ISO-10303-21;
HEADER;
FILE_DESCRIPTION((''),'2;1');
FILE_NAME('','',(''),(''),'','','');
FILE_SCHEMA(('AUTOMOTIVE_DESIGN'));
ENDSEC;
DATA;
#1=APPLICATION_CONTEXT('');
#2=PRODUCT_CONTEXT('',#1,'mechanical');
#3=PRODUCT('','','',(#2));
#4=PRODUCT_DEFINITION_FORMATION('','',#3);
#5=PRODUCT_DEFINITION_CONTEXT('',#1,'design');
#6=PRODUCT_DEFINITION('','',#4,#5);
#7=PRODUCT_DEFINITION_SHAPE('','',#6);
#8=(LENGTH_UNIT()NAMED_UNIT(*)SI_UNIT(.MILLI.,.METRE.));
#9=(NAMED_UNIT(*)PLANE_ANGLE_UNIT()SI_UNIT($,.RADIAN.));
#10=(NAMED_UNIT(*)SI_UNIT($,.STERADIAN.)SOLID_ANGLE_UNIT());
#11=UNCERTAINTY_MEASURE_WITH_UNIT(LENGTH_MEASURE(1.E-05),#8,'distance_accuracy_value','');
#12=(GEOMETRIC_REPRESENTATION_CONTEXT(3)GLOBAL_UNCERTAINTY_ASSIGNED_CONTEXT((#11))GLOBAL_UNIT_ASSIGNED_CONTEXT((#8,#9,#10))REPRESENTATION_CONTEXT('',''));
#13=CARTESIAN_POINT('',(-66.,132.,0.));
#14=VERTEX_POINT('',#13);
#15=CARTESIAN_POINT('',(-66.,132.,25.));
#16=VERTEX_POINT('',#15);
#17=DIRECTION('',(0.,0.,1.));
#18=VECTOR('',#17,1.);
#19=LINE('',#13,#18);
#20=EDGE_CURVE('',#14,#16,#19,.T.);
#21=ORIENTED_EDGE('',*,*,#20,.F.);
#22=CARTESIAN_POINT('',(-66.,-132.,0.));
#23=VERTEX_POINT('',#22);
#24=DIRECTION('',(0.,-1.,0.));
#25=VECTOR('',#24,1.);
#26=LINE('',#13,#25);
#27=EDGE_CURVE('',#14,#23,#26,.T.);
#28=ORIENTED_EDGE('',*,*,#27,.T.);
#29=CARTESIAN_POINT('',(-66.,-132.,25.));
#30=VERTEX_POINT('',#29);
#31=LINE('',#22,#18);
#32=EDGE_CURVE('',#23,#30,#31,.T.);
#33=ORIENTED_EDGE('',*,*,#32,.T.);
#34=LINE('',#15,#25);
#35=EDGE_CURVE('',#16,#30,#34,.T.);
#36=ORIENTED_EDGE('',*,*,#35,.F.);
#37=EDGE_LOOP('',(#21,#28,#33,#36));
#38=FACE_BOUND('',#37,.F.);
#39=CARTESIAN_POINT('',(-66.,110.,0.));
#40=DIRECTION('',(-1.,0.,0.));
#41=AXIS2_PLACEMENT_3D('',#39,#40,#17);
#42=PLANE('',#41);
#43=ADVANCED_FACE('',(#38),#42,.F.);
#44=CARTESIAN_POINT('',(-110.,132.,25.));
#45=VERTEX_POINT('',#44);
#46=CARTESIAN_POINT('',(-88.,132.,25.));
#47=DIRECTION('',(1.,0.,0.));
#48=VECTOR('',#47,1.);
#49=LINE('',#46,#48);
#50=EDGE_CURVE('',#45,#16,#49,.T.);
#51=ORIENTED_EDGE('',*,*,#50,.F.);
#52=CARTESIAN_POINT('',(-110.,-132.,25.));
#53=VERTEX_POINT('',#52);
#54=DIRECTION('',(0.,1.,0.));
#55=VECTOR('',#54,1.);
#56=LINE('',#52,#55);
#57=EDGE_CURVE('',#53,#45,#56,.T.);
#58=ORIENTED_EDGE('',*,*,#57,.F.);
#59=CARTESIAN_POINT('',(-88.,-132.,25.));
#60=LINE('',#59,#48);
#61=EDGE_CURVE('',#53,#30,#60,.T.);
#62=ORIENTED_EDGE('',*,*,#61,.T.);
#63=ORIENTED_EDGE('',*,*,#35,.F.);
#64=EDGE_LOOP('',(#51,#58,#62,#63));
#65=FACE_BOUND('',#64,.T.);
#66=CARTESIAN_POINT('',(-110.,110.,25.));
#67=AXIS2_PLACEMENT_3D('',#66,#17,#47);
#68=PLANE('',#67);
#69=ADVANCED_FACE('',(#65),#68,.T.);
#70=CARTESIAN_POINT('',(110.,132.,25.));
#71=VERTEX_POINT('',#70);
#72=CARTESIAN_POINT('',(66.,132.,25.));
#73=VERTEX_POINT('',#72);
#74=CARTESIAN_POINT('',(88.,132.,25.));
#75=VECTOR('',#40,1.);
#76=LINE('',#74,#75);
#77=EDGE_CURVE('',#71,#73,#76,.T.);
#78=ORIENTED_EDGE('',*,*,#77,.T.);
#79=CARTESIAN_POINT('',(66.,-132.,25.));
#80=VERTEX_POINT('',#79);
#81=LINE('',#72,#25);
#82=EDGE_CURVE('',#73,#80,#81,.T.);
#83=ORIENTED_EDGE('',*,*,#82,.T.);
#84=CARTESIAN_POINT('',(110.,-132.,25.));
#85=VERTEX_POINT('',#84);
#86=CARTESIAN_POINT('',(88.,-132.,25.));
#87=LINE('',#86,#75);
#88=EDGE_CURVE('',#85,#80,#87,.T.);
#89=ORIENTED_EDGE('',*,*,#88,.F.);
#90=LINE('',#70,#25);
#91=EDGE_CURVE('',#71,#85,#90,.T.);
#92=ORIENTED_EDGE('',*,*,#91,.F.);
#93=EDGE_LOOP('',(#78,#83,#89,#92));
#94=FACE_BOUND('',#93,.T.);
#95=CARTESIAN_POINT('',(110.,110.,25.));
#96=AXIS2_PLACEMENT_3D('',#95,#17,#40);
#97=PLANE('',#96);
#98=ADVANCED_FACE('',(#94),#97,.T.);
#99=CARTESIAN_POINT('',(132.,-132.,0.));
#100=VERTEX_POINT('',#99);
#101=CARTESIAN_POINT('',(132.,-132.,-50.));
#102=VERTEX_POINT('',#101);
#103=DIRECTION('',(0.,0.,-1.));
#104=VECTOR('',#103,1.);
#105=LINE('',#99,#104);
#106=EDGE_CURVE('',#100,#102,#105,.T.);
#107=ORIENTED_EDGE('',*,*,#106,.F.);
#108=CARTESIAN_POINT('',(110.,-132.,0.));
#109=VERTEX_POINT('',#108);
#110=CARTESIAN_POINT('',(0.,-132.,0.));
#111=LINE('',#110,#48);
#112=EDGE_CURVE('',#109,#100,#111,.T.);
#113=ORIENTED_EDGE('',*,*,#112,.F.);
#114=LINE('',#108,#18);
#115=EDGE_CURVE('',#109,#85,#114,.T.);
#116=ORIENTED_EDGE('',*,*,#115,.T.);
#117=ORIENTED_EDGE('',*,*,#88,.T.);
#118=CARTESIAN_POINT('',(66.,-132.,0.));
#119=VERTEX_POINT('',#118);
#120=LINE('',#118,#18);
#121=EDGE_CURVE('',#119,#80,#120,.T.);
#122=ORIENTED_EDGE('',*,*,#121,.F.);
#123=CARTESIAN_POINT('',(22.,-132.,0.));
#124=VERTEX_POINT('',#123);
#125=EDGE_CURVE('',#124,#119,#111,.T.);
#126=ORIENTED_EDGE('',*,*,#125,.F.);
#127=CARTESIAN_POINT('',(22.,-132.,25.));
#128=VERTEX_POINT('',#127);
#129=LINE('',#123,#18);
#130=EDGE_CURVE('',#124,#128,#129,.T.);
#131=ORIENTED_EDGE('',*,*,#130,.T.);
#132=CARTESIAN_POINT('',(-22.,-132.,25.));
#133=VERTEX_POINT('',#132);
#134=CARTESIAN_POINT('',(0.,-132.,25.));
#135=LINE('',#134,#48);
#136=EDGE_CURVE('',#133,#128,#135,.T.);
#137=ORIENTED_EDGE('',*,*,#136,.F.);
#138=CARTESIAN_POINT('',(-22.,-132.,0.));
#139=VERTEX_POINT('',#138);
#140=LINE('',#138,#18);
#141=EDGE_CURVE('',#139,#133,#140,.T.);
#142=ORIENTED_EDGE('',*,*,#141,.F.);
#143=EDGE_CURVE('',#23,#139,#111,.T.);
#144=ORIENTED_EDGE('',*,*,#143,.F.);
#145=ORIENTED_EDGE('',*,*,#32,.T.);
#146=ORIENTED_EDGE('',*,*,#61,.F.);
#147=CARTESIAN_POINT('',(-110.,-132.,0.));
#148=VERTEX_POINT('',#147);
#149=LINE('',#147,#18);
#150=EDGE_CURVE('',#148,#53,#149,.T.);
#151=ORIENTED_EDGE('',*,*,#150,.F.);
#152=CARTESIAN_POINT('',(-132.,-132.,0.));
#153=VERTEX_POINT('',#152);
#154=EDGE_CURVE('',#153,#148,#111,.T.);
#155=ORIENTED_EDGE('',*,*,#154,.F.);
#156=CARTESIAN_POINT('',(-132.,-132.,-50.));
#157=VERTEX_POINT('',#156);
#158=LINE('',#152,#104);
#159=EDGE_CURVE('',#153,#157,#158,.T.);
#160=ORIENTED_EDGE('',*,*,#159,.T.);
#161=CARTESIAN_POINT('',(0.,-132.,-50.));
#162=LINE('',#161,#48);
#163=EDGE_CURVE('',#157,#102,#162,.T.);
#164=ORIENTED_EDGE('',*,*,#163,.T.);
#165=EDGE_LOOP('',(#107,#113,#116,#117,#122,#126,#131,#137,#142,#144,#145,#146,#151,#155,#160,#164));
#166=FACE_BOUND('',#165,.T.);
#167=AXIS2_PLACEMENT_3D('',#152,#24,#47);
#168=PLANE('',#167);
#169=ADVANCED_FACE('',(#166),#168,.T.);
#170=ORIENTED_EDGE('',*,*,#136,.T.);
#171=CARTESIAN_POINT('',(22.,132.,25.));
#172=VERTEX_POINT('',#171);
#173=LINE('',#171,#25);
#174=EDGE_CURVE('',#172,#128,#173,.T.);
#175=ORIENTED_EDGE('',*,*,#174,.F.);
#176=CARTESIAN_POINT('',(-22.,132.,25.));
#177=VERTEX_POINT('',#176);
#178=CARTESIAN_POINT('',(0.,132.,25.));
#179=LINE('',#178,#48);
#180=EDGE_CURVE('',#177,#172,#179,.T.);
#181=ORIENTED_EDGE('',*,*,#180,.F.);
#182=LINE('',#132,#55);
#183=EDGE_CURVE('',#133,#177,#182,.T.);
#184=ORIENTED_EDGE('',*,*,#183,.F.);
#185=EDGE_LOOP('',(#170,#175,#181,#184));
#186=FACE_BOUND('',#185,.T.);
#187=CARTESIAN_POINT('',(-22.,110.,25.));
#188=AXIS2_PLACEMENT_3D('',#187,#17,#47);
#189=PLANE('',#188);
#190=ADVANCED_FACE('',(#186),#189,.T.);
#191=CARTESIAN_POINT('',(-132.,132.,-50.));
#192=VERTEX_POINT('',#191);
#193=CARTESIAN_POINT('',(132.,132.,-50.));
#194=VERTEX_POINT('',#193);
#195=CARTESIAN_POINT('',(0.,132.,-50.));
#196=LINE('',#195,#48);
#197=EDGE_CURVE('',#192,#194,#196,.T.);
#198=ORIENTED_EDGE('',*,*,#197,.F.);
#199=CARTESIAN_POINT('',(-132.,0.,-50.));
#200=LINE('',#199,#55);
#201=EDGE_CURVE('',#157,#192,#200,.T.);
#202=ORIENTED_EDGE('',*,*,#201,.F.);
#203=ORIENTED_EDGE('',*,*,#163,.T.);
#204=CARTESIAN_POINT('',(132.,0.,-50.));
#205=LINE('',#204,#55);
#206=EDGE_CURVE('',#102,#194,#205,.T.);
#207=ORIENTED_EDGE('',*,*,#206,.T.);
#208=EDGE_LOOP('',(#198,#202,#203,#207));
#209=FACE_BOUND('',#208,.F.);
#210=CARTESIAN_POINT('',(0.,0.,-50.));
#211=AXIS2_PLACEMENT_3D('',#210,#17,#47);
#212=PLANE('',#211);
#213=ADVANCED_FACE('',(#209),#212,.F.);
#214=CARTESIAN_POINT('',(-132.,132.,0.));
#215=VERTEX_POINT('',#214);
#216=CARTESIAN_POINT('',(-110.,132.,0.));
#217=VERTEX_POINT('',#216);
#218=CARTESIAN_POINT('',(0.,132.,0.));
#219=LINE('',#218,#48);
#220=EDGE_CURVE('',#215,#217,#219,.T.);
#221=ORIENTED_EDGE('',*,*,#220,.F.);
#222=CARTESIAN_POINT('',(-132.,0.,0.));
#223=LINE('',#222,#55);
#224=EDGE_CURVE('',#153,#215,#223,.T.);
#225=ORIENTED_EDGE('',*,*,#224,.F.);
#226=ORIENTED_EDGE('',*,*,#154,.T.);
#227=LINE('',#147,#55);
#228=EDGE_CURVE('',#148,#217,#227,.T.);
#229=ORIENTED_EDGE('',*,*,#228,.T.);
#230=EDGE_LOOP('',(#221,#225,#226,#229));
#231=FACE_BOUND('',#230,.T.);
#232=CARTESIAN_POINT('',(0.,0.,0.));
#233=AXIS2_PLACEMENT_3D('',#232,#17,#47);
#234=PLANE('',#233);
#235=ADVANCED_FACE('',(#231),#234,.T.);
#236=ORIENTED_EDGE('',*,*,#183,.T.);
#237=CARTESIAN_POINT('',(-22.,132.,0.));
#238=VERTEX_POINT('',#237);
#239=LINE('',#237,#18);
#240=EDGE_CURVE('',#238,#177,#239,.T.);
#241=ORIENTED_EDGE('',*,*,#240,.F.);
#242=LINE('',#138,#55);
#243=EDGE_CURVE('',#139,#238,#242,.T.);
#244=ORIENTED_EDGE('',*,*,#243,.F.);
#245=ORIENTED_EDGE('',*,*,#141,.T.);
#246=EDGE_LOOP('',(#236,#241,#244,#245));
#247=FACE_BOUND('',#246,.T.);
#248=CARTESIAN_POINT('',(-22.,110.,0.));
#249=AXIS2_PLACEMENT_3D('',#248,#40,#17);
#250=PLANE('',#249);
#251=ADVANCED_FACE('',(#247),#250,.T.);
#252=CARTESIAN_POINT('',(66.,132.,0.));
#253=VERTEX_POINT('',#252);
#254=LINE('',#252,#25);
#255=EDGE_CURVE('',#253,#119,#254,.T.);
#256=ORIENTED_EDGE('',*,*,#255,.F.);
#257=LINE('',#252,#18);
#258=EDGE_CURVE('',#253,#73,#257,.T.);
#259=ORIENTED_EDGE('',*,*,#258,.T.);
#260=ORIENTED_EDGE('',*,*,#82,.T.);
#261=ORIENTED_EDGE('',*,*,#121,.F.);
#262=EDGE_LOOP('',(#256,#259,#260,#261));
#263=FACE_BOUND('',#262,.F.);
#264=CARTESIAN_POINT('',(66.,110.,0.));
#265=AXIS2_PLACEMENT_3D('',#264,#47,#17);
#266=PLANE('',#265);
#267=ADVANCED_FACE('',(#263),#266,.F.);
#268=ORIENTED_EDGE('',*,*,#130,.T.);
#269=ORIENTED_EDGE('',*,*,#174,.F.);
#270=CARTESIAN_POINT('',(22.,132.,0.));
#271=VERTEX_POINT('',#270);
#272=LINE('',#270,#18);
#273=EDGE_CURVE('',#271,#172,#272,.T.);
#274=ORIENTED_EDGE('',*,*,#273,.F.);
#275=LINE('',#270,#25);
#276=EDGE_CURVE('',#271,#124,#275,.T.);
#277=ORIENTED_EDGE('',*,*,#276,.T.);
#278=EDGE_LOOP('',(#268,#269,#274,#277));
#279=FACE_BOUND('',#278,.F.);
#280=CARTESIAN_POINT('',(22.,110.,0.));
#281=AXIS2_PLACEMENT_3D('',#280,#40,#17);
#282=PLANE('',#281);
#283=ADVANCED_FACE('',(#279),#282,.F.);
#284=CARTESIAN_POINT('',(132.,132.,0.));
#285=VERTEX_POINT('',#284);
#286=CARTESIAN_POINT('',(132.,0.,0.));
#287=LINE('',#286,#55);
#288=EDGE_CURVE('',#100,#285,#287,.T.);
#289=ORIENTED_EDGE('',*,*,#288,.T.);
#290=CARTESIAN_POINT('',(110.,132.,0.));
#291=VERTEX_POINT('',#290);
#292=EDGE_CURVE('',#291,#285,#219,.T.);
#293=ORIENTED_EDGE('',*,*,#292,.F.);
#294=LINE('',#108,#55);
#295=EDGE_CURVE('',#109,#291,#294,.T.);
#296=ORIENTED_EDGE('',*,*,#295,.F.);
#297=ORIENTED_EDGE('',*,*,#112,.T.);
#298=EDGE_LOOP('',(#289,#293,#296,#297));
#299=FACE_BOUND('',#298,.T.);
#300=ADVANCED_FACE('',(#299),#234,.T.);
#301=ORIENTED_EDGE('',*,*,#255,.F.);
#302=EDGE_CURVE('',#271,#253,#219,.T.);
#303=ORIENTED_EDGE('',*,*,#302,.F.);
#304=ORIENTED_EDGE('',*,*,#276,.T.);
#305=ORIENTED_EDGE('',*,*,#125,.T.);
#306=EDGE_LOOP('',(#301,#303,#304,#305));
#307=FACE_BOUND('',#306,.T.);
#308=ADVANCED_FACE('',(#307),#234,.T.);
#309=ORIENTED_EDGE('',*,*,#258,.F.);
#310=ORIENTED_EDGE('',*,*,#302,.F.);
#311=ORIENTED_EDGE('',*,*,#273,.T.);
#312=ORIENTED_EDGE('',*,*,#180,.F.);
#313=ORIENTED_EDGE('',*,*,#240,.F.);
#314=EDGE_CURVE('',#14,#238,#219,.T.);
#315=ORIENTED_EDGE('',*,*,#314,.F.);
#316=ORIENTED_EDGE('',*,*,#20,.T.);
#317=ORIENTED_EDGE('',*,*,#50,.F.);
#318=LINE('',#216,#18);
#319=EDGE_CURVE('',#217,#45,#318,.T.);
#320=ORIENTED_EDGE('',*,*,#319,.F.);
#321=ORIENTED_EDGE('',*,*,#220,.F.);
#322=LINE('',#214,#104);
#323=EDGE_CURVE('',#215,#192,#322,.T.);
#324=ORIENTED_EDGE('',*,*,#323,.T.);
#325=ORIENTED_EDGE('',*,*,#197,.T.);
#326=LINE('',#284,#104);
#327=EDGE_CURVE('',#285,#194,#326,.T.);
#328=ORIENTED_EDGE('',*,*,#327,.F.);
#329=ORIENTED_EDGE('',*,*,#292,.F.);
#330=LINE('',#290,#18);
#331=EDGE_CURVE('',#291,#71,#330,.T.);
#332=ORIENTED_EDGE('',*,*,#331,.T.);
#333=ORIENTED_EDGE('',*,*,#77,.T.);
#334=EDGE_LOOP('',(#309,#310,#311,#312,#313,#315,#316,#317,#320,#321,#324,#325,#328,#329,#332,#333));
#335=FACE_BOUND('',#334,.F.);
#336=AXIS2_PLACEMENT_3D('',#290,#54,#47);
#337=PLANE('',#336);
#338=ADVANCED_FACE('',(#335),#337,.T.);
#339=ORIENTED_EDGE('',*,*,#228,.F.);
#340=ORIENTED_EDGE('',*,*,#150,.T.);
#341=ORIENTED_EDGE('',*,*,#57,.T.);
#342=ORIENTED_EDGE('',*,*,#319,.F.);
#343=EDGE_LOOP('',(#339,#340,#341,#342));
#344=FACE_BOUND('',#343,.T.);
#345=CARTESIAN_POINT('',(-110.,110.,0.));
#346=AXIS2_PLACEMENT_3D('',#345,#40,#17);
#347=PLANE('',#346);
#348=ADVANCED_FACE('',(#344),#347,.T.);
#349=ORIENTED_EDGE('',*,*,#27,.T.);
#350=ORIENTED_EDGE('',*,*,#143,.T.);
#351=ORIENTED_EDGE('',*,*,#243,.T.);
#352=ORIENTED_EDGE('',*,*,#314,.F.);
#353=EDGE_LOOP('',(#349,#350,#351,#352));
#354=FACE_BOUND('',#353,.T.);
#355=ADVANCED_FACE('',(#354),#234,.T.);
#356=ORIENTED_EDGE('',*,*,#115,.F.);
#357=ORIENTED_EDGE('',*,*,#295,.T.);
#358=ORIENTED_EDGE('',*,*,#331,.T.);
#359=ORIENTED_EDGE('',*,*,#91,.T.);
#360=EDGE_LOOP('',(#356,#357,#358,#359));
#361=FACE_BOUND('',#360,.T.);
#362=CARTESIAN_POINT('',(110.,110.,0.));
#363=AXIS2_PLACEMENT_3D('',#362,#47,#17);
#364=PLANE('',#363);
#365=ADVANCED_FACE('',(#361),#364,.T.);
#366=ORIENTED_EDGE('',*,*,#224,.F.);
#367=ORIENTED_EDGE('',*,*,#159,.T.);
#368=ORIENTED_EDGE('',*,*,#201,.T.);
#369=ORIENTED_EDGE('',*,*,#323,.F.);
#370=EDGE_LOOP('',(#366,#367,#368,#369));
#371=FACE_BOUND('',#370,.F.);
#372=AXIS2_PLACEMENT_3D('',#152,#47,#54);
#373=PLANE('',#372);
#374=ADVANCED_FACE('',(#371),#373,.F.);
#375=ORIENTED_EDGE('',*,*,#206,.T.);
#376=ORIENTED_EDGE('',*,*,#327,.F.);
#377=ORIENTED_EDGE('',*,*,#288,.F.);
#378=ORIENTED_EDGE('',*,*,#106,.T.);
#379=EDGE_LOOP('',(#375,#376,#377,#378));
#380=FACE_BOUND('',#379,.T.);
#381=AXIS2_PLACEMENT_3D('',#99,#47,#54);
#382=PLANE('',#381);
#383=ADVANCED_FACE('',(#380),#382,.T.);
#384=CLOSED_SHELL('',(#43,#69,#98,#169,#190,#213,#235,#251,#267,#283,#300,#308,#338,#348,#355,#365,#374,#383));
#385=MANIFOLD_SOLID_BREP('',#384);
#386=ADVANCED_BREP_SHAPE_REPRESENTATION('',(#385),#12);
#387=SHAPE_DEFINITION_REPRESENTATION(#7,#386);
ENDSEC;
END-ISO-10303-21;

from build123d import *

# Parameters (mm, degrees)
F0_W      = 44
F0_H      = 44
F1_DEPTH  = 25
F0_W_2    = 264
F0_H_2    = 264
F4_DEPTH  = 50
F3_FACE_W = 44
F3_FACE_H = 25
F1_FACE_W = 44
F1_FACE_H = 25
F2_FACE_W = 44
F2_FACE_H = 25
F5_DEPTH  = 44
F6_DEPTH  = 22


with BuildPart() as f1:
    # F0 (on Top) → F1 (new body)
    with BuildSketch(Plane.XY):
        with Locations((-88, 0)):
            Rectangle(F0_W, F0_H)
    extrude(amount=F1_DEPTH)


with BuildPart() as f1b:
    # F0 (on Top) → F1, piece 2 (new body)
    with BuildSketch(Plane.XY):
        with Locations((-88, 88)):
            Rectangle(F0_W, F0_H)
    extrude(amount=F1_DEPTH)


with BuildPart() as f1c:
    # F0 (on Top) → F1, piece 3 (new body)
    with BuildSketch(Plane.XY):
        with Locations((0, 88)):
            Rectangle(F0_W, F0_H)
    extrude(amount=F1_DEPTH)


with BuildPart() as f1d:
    # F0 (on Top) → F1, piece 4 (new body)
    with BuildSketch(Plane.XY):
        Rectangle(F0_W, F0_H)
    extrude(amount=F1_DEPTH)


with BuildPart() as f2_1:
    # F2: instance of F1
    add(f1.part.mirror(Plane.YZ))


with BuildPart() as f2_2:
    # F2: instance of F1b
    add(f1b.part.mirror(Plane.YZ))


with BuildPart() as f3_1:
    # F3: instance of F1b
    add(f1b.part.mirror(Plane.XZ))


with BuildPart() as f3_2:
    # F3: instance of F1c
    add(f1c.part.mirror(Plane.XZ))


with BuildPart() as f3_3:
    # F3: instance of F2_2
    add(f2_2.part.mirror(Plane.XZ))


with BuildPart() as f4:
    # F0 (on Top) → F4 (new body)
    with BuildSketch(Plane.XY):
        Rectangle(F0_W_2, F0_H_2)
        with Locations((-88, 0)):
            Rectangle(F0_W, F0_H, mode=Mode.SUBTRACT)
        with Locations((-88, 88)):
            Rectangle(F0_W, F0_H, mode=Mode.SUBTRACT)
        Rectangle(F0_W, F0_H, mode=Mode.SUBTRACT)
        with Locations((0, 88)):
            Rectangle(F0_W, F0_H, mode=Mode.SUBTRACT)
        with Locations((-88, 0)):
            Rectangle(F0_W, F0_H)
        Rectangle(F0_W, F0_H)
        with Locations((-88, 88)):
            Rectangle(F0_W, F0_H)
        with Locations((0, 88)):
            Rectangle(F0_W, F0_H)
    extrude(amount=-F4_DEPTH)


with BuildPart() as f1_1:
    add(f1.part)

    add(f1b.part)  # F5 merges F1b

    add(f1c.part)  # F5 merges F1c

    add(f1d.part)  # F5 merges F1d

    add(f2_1.part)  # F5 merges F2_1

    add(f2_2.part)  # F5 merges F2_2

    add(f3_1.part)  # F5 merges F3_1

    add(f3_2.part)  # F5 merges F3_2

    add(f3_3.part)  # F5 merges F3_3

    add(f4.part)  # F5 merges F4
    # F3_face (on face) + F1_face (on face) + F2_face (on face) → F5 (join)
    with BuildSketch(Plane(origin=(-88, -66, 12.5), x_dir=(-1, 0, 0), z_dir=(0, 1, 0))):
        Rectangle(F3_FACE_W, F3_FACE_H)
        with Locations((-88, 0)):
            Rectangle(F3_FACE_W, F3_FACE_H)
        with Locations((-176, 0)):
            Rectangle(F3_FACE_W, F3_FACE_H)
    with BuildSketch(Plane(origin=(-88, 22, 12.5), x_dir=(-1, 0, 0), z_dir=(0, 1, 0))):
        Rectangle(F1_FACE_W, F1_FACE_H)
        with Locations((-88, 0)):
            Rectangle(F1_FACE_W, F1_FACE_H)
    with BuildSketch(Plane(origin=(88, 22, 12.5), x_dir=(-1, 0, 0), z_dir=(0, 1, 0))):
        Rectangle(F2_FACE_W, F2_FACE_H)
    extrude(amount=F5_DEPTH)

    # F6 (add, symmetric): faces of the model
    f6_faces = [f1_1.faces().sort_by_distance(p)[0] for p in [
        (-88, -110, 12.5),
        (0, -110, 12.5),
        (88, -110, 12.5),
        (-88, 110, 12.5),
        (0, 110, 12.5),
        (88, 110, 12.5),
    ]]
    extrude(f6_faces, amount=F6_DEPTH, both=True, dir=(0, -1, 0))


solid = f1_1.part
